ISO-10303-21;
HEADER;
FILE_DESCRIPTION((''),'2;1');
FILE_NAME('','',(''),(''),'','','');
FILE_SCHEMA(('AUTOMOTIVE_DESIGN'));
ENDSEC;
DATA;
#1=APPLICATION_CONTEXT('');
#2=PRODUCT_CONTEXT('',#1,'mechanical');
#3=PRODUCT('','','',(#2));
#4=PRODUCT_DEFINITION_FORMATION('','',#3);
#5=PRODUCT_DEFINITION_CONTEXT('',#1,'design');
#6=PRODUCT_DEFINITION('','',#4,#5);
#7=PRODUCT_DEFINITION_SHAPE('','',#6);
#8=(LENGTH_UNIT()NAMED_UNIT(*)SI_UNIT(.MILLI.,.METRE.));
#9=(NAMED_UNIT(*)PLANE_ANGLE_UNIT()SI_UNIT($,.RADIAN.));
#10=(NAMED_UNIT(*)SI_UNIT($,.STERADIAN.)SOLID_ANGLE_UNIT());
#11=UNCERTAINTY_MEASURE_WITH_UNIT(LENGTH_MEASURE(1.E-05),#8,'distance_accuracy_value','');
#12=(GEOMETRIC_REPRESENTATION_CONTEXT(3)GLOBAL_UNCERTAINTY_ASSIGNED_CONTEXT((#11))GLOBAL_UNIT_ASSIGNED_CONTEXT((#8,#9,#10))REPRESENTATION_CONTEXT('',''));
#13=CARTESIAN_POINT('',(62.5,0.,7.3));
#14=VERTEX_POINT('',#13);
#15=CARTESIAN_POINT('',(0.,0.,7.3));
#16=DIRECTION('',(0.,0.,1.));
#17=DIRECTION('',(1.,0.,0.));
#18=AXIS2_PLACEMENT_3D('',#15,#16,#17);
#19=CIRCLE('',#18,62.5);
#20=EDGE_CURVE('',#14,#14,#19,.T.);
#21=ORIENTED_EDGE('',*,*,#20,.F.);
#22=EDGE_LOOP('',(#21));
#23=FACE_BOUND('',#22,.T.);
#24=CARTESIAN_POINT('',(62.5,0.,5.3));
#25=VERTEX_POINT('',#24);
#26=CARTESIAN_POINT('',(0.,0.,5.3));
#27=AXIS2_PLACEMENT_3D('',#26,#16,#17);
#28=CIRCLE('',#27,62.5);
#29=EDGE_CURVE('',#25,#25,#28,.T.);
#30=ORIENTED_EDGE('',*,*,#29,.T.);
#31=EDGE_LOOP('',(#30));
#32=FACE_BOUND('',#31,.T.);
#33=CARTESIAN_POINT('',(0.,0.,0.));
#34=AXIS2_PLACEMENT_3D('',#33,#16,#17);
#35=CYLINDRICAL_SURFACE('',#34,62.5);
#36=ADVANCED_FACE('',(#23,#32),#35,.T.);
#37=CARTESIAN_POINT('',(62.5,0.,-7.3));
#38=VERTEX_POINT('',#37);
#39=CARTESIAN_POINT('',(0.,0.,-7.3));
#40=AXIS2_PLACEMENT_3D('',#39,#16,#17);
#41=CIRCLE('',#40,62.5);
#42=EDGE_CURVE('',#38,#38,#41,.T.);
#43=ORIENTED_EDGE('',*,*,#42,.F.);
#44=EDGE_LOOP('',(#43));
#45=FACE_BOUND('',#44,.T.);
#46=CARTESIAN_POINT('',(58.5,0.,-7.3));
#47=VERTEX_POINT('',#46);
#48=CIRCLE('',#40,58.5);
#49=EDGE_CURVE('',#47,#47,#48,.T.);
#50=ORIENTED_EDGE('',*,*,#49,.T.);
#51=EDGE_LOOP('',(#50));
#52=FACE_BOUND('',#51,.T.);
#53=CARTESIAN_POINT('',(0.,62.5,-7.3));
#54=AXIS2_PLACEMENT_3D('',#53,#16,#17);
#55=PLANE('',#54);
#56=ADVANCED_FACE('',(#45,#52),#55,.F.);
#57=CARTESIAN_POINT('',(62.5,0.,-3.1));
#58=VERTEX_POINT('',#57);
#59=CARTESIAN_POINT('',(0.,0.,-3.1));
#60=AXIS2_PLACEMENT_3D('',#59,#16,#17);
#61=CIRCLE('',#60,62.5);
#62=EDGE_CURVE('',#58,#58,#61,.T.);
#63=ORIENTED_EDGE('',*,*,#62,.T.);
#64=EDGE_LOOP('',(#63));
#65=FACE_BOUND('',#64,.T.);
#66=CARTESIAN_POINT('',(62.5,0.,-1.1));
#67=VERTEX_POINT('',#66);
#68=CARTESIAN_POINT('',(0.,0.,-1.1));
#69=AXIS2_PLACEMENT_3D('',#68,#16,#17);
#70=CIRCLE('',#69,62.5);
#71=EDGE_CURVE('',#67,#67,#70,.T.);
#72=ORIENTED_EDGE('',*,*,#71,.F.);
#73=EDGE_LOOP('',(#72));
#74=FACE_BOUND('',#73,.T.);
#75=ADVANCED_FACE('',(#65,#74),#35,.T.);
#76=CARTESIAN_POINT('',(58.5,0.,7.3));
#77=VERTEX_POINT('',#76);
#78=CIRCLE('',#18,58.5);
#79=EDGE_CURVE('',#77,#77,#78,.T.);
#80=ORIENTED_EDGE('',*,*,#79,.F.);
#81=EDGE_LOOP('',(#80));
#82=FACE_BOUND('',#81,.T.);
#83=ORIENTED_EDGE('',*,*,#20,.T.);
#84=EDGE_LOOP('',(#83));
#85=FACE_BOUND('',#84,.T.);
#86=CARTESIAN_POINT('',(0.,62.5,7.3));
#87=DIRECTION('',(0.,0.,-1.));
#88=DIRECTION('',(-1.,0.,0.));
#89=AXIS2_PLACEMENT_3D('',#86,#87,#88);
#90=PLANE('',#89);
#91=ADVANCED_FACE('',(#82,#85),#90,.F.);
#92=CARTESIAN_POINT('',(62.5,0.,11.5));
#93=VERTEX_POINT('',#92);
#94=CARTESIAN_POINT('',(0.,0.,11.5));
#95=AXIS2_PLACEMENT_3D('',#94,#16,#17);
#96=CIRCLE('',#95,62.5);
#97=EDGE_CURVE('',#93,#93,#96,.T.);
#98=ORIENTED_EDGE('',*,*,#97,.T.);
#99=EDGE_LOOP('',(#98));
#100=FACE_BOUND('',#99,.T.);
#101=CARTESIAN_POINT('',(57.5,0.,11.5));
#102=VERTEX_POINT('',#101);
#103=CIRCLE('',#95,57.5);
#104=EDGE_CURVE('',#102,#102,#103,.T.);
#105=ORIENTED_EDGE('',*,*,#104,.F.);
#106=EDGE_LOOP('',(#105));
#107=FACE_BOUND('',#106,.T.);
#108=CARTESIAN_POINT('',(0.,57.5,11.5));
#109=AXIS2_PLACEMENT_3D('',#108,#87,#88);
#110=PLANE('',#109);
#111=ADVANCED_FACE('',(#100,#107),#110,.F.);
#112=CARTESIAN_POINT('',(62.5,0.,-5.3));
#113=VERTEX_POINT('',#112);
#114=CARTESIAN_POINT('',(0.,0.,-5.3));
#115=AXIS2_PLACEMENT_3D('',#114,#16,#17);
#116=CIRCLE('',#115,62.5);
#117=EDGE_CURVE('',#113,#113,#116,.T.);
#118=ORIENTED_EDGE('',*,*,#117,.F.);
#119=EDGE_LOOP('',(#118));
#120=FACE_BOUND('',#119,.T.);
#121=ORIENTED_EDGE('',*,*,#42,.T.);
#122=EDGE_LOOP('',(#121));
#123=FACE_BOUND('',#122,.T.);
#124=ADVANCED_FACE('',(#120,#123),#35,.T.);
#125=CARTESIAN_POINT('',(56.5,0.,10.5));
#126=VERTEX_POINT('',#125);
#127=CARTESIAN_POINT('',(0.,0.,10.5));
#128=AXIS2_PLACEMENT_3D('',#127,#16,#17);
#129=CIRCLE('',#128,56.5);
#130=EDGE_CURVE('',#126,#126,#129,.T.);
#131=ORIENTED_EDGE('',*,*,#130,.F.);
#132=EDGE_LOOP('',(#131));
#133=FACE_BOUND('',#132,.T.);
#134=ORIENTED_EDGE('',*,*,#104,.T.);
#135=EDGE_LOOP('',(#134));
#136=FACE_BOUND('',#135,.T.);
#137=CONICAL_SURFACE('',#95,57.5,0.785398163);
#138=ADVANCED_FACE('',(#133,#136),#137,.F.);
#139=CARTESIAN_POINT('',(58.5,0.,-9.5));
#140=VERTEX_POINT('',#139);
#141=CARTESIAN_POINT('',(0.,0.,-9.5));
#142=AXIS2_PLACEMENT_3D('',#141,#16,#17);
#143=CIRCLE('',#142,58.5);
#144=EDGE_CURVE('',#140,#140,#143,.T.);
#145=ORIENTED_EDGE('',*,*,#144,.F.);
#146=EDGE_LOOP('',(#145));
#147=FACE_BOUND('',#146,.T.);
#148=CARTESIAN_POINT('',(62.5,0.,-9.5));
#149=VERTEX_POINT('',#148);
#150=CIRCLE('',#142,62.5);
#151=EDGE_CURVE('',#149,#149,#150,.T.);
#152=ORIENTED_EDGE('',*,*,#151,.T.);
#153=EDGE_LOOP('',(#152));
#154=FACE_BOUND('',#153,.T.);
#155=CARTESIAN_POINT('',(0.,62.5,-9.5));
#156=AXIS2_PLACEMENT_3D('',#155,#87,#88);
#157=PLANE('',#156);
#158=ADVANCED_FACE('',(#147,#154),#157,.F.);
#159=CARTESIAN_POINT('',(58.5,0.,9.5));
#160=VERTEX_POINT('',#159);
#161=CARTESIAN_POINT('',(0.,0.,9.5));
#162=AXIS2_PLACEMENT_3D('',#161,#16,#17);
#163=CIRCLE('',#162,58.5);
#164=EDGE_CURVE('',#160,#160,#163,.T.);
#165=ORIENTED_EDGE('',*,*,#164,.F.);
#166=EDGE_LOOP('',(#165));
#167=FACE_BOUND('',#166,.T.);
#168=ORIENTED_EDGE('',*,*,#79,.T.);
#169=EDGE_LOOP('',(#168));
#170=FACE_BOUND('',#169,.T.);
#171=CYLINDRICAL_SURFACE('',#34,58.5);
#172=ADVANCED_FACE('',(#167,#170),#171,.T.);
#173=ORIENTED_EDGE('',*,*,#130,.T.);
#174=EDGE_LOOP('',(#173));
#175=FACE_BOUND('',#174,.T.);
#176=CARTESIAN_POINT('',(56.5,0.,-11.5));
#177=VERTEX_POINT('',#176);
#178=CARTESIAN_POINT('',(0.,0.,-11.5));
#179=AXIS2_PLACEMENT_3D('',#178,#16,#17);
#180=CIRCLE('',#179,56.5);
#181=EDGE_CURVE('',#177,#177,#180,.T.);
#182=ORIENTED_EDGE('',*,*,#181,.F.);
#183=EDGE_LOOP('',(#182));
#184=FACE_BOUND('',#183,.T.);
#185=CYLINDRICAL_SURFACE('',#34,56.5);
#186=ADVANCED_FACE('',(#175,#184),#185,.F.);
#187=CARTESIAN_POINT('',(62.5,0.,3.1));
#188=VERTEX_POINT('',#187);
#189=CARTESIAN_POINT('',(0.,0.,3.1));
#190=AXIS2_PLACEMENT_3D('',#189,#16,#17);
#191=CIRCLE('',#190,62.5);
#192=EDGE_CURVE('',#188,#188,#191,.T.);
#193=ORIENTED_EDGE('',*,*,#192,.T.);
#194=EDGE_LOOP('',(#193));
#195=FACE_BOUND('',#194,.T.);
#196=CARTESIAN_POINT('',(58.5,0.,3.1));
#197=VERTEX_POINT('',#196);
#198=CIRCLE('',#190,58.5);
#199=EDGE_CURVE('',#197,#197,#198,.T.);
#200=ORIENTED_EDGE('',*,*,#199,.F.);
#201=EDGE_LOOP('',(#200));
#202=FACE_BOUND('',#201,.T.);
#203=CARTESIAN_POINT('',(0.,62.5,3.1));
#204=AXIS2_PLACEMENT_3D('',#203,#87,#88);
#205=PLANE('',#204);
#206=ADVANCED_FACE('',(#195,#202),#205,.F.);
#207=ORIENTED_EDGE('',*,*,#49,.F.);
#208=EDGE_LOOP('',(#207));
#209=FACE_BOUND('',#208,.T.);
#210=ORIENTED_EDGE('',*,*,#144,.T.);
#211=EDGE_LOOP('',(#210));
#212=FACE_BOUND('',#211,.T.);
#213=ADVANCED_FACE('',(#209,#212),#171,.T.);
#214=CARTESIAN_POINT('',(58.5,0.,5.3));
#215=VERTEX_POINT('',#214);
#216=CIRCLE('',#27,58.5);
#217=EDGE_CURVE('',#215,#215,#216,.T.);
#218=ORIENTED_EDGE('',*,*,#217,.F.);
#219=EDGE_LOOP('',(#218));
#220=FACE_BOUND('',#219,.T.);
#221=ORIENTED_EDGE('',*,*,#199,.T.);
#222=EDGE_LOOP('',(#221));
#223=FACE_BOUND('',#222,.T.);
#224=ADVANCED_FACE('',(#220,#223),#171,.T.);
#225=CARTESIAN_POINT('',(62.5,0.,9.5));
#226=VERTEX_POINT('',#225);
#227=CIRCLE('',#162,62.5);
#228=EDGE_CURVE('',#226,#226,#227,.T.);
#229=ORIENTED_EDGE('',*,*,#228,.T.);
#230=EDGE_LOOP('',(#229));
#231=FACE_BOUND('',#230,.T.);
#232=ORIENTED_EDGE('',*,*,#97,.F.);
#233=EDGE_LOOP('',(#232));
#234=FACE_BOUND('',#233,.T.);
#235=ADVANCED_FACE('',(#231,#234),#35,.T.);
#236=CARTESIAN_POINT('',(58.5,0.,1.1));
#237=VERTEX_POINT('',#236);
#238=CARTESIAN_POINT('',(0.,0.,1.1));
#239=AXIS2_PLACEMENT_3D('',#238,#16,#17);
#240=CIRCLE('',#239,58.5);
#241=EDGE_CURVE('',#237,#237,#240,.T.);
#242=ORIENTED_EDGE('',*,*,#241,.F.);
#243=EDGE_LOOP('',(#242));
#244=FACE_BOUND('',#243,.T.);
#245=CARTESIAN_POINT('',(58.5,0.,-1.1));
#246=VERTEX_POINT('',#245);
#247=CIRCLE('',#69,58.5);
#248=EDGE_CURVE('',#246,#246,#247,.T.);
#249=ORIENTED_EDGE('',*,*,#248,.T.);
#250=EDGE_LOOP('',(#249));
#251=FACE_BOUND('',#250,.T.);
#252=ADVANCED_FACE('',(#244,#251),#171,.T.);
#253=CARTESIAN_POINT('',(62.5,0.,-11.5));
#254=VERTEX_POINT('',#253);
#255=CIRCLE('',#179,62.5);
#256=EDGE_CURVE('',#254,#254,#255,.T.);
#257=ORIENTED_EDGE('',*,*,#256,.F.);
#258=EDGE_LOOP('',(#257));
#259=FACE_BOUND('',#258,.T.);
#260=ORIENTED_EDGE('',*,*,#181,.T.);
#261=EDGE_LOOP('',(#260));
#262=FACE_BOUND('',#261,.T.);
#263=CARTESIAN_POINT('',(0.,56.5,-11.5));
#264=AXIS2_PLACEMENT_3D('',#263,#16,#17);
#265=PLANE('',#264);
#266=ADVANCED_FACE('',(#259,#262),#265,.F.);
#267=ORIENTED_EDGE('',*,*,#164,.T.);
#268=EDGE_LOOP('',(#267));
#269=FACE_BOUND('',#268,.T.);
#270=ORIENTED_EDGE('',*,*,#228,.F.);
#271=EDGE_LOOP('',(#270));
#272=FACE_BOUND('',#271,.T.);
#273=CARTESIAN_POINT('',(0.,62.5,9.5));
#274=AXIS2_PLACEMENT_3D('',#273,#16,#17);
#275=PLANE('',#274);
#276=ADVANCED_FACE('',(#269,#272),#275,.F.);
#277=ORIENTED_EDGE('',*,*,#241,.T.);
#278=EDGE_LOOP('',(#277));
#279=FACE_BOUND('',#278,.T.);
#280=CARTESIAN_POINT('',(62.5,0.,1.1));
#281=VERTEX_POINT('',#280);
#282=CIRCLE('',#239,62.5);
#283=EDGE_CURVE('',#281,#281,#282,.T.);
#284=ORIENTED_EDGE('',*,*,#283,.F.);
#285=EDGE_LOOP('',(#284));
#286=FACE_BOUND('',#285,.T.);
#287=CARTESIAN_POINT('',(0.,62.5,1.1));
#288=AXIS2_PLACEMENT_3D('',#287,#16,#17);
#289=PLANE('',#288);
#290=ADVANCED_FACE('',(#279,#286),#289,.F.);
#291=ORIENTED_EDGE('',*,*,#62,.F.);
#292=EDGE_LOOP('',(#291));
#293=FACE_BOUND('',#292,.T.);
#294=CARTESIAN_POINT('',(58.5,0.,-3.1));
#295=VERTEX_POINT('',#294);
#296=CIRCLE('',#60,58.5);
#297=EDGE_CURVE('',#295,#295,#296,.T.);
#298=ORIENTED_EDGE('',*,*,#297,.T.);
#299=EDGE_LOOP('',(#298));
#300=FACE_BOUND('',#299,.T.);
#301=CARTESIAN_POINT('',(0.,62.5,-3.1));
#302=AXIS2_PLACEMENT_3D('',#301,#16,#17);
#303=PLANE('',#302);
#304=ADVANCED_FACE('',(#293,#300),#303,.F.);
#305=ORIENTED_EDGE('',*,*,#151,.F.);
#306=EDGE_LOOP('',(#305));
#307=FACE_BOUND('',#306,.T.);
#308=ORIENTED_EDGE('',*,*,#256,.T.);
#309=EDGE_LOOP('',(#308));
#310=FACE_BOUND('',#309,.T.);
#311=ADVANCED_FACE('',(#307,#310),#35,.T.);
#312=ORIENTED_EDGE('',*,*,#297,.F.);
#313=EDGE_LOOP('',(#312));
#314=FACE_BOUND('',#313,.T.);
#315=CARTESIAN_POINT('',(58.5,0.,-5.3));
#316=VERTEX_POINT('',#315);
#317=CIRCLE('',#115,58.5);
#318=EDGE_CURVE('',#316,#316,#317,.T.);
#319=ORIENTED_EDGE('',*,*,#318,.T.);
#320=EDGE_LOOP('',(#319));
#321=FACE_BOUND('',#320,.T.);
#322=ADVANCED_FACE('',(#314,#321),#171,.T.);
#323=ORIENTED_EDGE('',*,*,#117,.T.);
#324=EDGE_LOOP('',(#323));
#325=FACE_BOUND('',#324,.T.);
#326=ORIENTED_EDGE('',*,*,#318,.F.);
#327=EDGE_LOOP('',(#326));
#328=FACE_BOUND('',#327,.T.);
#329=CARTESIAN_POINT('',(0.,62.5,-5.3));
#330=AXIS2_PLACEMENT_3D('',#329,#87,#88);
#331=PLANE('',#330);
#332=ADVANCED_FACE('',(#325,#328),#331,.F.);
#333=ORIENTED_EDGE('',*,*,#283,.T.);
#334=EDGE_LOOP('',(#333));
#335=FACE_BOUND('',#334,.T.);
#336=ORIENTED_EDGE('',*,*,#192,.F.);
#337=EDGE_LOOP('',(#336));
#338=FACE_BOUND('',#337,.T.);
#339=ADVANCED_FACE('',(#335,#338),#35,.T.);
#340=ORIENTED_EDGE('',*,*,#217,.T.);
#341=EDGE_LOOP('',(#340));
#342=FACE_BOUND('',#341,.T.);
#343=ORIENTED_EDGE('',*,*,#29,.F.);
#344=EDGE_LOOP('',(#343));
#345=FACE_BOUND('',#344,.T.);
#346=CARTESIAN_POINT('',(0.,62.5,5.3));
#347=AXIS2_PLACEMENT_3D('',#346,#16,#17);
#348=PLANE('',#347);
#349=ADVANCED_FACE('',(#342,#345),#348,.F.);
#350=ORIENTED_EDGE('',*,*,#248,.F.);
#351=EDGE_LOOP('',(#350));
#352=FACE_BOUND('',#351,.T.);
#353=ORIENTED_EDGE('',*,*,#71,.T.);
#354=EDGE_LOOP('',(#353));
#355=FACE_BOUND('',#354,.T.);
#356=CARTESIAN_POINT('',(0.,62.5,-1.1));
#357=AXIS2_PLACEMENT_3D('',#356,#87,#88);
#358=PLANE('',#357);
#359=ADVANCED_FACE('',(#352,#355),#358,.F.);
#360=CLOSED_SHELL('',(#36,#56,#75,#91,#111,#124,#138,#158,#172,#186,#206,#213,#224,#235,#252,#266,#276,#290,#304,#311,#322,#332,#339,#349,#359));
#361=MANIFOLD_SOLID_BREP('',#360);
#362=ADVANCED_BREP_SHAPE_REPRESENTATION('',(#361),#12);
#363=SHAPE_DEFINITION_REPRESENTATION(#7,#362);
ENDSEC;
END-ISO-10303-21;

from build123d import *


with BuildPart() as part:
    # Schizzo2 → Rivoluzione1 (revolve)
    with BuildSketch(Plane(origin=(0, 0, 0), x_dir=(0, 0, -1), z_dir=(1, 0, 0))):
        Polygon((0, 56.5), (-10.5, 56.5), (-11.5, 57.5), (-11.5, 62.5), (-9.5, 62.5), (-9.5, 58.5), (-7.3, 58.5), (-7.3, 62.5), (-5.3, 62.5), (-5.3, 58.5), (-3.1, 58.5), (-3.1, 62.5), (-1.1, 62.5), (-1.1, 58.5), (1.1, 58.5), (1.1, 62.5), (3.1, 62.5), (3.1, 58.5), (5.3, 58.5), (5.3, 62.5), (7.3, 62.5), (7.3, 58.5), (9.5, 58.5), (9.5, 62.5), (11.5, 62.5), (11.5, 56.5), align=None)
    revolve(axis=Axis((0, 0, 0), (0, 0, -1)))


solid = part.part
